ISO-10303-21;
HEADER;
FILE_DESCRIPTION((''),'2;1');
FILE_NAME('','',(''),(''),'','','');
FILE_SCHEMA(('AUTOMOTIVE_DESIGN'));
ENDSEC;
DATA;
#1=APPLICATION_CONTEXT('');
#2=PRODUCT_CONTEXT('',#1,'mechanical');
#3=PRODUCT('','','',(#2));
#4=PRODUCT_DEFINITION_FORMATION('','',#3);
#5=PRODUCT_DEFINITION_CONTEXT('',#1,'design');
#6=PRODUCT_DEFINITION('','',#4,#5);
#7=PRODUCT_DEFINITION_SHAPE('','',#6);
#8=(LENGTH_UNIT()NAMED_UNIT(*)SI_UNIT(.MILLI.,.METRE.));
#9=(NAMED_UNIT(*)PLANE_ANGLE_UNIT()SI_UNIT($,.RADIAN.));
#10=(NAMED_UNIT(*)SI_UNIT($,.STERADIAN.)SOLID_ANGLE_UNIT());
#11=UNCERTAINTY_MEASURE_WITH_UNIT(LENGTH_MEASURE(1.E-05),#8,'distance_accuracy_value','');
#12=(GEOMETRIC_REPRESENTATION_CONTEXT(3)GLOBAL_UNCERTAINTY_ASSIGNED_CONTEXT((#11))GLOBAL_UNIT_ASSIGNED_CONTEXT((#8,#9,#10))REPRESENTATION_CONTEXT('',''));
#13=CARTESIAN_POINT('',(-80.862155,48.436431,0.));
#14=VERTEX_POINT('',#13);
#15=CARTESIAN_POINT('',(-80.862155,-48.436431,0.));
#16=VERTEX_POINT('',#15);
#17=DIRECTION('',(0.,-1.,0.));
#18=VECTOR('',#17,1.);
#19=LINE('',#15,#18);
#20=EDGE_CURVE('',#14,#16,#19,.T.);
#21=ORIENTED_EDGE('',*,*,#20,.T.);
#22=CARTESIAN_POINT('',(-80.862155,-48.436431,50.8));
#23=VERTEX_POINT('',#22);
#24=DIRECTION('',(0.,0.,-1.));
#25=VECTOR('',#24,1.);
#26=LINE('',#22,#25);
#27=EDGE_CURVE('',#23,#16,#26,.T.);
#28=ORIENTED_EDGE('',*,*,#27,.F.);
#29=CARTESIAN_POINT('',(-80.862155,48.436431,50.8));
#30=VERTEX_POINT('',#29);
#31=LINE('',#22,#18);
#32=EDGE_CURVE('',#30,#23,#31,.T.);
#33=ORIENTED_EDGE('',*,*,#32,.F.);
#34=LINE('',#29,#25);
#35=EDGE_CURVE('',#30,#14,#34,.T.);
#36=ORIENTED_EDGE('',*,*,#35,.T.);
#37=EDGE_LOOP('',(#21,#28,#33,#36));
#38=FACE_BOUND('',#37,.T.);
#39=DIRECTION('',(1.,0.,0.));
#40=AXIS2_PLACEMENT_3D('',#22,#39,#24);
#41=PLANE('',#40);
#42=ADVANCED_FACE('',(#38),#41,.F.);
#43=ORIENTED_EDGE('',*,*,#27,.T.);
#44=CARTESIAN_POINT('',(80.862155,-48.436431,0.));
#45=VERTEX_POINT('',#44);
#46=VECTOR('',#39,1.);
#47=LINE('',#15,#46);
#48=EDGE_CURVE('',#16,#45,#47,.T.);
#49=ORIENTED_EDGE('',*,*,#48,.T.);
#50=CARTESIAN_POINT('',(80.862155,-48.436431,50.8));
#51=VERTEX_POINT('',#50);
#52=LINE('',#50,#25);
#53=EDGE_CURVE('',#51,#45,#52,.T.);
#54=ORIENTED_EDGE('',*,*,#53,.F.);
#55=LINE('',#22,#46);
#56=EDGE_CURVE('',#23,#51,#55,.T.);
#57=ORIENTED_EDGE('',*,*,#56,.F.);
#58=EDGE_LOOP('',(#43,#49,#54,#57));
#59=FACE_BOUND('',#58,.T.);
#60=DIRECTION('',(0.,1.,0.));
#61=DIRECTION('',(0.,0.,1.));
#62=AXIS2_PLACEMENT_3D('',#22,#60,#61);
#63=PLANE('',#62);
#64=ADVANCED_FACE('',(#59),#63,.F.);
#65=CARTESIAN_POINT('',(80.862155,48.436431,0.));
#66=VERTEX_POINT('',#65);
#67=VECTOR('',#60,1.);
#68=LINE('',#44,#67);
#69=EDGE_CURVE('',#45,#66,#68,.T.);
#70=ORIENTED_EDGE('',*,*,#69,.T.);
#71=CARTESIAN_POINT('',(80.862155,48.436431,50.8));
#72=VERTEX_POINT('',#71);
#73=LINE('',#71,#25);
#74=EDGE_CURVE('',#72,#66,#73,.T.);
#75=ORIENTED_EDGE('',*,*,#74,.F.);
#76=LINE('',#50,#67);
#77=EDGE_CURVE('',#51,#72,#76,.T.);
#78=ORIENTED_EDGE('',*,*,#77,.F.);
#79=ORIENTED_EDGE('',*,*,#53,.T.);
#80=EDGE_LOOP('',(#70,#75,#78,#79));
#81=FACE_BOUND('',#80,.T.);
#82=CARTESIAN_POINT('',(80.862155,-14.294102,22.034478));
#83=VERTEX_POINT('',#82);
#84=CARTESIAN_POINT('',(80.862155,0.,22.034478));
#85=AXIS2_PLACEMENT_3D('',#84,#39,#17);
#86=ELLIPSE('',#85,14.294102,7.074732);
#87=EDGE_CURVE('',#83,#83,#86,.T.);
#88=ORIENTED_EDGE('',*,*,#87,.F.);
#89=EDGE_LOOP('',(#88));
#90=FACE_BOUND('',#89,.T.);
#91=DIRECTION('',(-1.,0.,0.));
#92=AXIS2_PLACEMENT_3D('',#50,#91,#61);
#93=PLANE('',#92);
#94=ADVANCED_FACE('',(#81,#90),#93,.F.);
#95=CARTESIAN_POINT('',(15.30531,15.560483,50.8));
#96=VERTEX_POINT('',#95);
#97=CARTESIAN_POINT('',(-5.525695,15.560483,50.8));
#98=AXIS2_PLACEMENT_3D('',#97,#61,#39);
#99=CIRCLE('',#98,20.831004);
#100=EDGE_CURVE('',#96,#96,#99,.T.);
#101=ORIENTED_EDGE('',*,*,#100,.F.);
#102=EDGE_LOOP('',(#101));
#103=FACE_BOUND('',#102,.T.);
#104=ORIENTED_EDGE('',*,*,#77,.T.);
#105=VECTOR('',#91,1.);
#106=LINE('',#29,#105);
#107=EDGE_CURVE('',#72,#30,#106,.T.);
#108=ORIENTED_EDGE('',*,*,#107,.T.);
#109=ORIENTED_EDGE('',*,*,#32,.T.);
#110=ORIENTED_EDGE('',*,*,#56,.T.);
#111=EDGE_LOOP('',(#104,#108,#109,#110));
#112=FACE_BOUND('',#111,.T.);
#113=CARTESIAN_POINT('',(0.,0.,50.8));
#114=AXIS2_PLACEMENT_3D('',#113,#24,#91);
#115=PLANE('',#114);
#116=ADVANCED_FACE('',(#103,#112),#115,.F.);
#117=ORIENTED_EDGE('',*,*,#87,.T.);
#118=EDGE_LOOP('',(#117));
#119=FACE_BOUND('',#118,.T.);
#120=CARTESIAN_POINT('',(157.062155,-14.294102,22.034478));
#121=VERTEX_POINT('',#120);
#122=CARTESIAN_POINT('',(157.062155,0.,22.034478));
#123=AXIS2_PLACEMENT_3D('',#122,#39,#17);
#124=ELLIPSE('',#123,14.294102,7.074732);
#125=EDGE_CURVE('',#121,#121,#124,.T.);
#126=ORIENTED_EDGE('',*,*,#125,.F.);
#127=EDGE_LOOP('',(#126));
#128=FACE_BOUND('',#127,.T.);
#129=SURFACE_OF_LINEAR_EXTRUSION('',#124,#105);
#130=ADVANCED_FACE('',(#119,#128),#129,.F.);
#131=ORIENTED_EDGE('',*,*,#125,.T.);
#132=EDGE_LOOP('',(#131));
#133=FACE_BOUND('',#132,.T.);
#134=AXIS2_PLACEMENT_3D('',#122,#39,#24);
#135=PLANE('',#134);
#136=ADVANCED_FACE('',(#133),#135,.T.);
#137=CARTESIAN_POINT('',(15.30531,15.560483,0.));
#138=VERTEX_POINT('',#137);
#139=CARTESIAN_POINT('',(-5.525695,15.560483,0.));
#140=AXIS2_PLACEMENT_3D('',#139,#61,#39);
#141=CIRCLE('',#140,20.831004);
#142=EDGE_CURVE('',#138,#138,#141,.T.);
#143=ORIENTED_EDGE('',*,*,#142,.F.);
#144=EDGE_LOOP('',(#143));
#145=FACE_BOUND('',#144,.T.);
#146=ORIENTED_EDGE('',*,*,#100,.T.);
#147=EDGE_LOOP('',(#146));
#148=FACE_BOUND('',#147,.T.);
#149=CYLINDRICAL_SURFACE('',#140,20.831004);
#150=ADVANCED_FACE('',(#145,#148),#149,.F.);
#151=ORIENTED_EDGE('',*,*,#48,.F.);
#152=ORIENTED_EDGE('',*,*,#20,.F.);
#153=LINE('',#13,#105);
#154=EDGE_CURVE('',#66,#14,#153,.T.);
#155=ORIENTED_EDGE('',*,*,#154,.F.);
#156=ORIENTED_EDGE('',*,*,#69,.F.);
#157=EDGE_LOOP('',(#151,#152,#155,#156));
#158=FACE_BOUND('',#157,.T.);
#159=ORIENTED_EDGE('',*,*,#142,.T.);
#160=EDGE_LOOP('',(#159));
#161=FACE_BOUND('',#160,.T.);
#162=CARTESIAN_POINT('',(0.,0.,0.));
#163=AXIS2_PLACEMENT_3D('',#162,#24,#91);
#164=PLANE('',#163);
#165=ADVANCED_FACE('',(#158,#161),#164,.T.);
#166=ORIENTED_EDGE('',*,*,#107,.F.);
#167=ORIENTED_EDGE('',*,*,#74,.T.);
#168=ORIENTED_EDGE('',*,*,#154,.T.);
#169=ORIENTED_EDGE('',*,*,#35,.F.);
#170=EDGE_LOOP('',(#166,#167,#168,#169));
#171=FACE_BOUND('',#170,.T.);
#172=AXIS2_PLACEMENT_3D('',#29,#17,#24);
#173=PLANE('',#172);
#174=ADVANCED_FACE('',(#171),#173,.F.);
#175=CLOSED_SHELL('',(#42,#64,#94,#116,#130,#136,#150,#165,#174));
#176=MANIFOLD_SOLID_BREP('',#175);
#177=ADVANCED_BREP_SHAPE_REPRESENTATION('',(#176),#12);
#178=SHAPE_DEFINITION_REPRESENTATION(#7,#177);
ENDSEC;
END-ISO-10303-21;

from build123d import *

# Parameters (mm, degrees)
SKETCH1_W           = 161.724310644
SKETCH1_H           = 96.872862076
BOSS_EXTRUDE1_DEPTH = 50.8
SKETCH2_R           = 20.831004362
CUT_EXTRUDE1_DEPTH  = 51.8
SKETCH3_RX          = 14.294101548
SKETCH3_RY          = 7.07473185
BOSS_EXTRUDE2_DEPTH = 76.2


with BuildPart() as part:
    # Sketch1 → Boss-Extrude1 (new body)
    with BuildSketch(Plane.XY):
        Rectangle(SKETCH1_W, SKETCH1_H)
    extrude(amount=BOSS_EXTRUDE1_DEPTH)

    # Sketch2 → Cut-Extrude1 (cut, through all)
    with BuildSketch(Plane.XY.offset(50.8)):
        with Locations((-5.525694513, 15.560482637)):
            Circle(SKETCH2_R)
    extrude(amount=-CUT_EXTRUDE1_DEPTH, mode=Mode.SUBTRACT)

    # Sketch3 → Boss-Extrude2 (add)
    with BuildSketch(Plane(origin=(80.862155322, 0, 0), x_dir=(0, 0, -1), z_dir=(1, 0, 0))):
        with Locations(Location((-22.034477626, 0), (0, 0, -90))):
            Ellipse(SKETCH3_RX, SKETCH3_RY)
    extrude(amount=BOSS_EXTRUDE2_DEPTH)


solid = part.part
